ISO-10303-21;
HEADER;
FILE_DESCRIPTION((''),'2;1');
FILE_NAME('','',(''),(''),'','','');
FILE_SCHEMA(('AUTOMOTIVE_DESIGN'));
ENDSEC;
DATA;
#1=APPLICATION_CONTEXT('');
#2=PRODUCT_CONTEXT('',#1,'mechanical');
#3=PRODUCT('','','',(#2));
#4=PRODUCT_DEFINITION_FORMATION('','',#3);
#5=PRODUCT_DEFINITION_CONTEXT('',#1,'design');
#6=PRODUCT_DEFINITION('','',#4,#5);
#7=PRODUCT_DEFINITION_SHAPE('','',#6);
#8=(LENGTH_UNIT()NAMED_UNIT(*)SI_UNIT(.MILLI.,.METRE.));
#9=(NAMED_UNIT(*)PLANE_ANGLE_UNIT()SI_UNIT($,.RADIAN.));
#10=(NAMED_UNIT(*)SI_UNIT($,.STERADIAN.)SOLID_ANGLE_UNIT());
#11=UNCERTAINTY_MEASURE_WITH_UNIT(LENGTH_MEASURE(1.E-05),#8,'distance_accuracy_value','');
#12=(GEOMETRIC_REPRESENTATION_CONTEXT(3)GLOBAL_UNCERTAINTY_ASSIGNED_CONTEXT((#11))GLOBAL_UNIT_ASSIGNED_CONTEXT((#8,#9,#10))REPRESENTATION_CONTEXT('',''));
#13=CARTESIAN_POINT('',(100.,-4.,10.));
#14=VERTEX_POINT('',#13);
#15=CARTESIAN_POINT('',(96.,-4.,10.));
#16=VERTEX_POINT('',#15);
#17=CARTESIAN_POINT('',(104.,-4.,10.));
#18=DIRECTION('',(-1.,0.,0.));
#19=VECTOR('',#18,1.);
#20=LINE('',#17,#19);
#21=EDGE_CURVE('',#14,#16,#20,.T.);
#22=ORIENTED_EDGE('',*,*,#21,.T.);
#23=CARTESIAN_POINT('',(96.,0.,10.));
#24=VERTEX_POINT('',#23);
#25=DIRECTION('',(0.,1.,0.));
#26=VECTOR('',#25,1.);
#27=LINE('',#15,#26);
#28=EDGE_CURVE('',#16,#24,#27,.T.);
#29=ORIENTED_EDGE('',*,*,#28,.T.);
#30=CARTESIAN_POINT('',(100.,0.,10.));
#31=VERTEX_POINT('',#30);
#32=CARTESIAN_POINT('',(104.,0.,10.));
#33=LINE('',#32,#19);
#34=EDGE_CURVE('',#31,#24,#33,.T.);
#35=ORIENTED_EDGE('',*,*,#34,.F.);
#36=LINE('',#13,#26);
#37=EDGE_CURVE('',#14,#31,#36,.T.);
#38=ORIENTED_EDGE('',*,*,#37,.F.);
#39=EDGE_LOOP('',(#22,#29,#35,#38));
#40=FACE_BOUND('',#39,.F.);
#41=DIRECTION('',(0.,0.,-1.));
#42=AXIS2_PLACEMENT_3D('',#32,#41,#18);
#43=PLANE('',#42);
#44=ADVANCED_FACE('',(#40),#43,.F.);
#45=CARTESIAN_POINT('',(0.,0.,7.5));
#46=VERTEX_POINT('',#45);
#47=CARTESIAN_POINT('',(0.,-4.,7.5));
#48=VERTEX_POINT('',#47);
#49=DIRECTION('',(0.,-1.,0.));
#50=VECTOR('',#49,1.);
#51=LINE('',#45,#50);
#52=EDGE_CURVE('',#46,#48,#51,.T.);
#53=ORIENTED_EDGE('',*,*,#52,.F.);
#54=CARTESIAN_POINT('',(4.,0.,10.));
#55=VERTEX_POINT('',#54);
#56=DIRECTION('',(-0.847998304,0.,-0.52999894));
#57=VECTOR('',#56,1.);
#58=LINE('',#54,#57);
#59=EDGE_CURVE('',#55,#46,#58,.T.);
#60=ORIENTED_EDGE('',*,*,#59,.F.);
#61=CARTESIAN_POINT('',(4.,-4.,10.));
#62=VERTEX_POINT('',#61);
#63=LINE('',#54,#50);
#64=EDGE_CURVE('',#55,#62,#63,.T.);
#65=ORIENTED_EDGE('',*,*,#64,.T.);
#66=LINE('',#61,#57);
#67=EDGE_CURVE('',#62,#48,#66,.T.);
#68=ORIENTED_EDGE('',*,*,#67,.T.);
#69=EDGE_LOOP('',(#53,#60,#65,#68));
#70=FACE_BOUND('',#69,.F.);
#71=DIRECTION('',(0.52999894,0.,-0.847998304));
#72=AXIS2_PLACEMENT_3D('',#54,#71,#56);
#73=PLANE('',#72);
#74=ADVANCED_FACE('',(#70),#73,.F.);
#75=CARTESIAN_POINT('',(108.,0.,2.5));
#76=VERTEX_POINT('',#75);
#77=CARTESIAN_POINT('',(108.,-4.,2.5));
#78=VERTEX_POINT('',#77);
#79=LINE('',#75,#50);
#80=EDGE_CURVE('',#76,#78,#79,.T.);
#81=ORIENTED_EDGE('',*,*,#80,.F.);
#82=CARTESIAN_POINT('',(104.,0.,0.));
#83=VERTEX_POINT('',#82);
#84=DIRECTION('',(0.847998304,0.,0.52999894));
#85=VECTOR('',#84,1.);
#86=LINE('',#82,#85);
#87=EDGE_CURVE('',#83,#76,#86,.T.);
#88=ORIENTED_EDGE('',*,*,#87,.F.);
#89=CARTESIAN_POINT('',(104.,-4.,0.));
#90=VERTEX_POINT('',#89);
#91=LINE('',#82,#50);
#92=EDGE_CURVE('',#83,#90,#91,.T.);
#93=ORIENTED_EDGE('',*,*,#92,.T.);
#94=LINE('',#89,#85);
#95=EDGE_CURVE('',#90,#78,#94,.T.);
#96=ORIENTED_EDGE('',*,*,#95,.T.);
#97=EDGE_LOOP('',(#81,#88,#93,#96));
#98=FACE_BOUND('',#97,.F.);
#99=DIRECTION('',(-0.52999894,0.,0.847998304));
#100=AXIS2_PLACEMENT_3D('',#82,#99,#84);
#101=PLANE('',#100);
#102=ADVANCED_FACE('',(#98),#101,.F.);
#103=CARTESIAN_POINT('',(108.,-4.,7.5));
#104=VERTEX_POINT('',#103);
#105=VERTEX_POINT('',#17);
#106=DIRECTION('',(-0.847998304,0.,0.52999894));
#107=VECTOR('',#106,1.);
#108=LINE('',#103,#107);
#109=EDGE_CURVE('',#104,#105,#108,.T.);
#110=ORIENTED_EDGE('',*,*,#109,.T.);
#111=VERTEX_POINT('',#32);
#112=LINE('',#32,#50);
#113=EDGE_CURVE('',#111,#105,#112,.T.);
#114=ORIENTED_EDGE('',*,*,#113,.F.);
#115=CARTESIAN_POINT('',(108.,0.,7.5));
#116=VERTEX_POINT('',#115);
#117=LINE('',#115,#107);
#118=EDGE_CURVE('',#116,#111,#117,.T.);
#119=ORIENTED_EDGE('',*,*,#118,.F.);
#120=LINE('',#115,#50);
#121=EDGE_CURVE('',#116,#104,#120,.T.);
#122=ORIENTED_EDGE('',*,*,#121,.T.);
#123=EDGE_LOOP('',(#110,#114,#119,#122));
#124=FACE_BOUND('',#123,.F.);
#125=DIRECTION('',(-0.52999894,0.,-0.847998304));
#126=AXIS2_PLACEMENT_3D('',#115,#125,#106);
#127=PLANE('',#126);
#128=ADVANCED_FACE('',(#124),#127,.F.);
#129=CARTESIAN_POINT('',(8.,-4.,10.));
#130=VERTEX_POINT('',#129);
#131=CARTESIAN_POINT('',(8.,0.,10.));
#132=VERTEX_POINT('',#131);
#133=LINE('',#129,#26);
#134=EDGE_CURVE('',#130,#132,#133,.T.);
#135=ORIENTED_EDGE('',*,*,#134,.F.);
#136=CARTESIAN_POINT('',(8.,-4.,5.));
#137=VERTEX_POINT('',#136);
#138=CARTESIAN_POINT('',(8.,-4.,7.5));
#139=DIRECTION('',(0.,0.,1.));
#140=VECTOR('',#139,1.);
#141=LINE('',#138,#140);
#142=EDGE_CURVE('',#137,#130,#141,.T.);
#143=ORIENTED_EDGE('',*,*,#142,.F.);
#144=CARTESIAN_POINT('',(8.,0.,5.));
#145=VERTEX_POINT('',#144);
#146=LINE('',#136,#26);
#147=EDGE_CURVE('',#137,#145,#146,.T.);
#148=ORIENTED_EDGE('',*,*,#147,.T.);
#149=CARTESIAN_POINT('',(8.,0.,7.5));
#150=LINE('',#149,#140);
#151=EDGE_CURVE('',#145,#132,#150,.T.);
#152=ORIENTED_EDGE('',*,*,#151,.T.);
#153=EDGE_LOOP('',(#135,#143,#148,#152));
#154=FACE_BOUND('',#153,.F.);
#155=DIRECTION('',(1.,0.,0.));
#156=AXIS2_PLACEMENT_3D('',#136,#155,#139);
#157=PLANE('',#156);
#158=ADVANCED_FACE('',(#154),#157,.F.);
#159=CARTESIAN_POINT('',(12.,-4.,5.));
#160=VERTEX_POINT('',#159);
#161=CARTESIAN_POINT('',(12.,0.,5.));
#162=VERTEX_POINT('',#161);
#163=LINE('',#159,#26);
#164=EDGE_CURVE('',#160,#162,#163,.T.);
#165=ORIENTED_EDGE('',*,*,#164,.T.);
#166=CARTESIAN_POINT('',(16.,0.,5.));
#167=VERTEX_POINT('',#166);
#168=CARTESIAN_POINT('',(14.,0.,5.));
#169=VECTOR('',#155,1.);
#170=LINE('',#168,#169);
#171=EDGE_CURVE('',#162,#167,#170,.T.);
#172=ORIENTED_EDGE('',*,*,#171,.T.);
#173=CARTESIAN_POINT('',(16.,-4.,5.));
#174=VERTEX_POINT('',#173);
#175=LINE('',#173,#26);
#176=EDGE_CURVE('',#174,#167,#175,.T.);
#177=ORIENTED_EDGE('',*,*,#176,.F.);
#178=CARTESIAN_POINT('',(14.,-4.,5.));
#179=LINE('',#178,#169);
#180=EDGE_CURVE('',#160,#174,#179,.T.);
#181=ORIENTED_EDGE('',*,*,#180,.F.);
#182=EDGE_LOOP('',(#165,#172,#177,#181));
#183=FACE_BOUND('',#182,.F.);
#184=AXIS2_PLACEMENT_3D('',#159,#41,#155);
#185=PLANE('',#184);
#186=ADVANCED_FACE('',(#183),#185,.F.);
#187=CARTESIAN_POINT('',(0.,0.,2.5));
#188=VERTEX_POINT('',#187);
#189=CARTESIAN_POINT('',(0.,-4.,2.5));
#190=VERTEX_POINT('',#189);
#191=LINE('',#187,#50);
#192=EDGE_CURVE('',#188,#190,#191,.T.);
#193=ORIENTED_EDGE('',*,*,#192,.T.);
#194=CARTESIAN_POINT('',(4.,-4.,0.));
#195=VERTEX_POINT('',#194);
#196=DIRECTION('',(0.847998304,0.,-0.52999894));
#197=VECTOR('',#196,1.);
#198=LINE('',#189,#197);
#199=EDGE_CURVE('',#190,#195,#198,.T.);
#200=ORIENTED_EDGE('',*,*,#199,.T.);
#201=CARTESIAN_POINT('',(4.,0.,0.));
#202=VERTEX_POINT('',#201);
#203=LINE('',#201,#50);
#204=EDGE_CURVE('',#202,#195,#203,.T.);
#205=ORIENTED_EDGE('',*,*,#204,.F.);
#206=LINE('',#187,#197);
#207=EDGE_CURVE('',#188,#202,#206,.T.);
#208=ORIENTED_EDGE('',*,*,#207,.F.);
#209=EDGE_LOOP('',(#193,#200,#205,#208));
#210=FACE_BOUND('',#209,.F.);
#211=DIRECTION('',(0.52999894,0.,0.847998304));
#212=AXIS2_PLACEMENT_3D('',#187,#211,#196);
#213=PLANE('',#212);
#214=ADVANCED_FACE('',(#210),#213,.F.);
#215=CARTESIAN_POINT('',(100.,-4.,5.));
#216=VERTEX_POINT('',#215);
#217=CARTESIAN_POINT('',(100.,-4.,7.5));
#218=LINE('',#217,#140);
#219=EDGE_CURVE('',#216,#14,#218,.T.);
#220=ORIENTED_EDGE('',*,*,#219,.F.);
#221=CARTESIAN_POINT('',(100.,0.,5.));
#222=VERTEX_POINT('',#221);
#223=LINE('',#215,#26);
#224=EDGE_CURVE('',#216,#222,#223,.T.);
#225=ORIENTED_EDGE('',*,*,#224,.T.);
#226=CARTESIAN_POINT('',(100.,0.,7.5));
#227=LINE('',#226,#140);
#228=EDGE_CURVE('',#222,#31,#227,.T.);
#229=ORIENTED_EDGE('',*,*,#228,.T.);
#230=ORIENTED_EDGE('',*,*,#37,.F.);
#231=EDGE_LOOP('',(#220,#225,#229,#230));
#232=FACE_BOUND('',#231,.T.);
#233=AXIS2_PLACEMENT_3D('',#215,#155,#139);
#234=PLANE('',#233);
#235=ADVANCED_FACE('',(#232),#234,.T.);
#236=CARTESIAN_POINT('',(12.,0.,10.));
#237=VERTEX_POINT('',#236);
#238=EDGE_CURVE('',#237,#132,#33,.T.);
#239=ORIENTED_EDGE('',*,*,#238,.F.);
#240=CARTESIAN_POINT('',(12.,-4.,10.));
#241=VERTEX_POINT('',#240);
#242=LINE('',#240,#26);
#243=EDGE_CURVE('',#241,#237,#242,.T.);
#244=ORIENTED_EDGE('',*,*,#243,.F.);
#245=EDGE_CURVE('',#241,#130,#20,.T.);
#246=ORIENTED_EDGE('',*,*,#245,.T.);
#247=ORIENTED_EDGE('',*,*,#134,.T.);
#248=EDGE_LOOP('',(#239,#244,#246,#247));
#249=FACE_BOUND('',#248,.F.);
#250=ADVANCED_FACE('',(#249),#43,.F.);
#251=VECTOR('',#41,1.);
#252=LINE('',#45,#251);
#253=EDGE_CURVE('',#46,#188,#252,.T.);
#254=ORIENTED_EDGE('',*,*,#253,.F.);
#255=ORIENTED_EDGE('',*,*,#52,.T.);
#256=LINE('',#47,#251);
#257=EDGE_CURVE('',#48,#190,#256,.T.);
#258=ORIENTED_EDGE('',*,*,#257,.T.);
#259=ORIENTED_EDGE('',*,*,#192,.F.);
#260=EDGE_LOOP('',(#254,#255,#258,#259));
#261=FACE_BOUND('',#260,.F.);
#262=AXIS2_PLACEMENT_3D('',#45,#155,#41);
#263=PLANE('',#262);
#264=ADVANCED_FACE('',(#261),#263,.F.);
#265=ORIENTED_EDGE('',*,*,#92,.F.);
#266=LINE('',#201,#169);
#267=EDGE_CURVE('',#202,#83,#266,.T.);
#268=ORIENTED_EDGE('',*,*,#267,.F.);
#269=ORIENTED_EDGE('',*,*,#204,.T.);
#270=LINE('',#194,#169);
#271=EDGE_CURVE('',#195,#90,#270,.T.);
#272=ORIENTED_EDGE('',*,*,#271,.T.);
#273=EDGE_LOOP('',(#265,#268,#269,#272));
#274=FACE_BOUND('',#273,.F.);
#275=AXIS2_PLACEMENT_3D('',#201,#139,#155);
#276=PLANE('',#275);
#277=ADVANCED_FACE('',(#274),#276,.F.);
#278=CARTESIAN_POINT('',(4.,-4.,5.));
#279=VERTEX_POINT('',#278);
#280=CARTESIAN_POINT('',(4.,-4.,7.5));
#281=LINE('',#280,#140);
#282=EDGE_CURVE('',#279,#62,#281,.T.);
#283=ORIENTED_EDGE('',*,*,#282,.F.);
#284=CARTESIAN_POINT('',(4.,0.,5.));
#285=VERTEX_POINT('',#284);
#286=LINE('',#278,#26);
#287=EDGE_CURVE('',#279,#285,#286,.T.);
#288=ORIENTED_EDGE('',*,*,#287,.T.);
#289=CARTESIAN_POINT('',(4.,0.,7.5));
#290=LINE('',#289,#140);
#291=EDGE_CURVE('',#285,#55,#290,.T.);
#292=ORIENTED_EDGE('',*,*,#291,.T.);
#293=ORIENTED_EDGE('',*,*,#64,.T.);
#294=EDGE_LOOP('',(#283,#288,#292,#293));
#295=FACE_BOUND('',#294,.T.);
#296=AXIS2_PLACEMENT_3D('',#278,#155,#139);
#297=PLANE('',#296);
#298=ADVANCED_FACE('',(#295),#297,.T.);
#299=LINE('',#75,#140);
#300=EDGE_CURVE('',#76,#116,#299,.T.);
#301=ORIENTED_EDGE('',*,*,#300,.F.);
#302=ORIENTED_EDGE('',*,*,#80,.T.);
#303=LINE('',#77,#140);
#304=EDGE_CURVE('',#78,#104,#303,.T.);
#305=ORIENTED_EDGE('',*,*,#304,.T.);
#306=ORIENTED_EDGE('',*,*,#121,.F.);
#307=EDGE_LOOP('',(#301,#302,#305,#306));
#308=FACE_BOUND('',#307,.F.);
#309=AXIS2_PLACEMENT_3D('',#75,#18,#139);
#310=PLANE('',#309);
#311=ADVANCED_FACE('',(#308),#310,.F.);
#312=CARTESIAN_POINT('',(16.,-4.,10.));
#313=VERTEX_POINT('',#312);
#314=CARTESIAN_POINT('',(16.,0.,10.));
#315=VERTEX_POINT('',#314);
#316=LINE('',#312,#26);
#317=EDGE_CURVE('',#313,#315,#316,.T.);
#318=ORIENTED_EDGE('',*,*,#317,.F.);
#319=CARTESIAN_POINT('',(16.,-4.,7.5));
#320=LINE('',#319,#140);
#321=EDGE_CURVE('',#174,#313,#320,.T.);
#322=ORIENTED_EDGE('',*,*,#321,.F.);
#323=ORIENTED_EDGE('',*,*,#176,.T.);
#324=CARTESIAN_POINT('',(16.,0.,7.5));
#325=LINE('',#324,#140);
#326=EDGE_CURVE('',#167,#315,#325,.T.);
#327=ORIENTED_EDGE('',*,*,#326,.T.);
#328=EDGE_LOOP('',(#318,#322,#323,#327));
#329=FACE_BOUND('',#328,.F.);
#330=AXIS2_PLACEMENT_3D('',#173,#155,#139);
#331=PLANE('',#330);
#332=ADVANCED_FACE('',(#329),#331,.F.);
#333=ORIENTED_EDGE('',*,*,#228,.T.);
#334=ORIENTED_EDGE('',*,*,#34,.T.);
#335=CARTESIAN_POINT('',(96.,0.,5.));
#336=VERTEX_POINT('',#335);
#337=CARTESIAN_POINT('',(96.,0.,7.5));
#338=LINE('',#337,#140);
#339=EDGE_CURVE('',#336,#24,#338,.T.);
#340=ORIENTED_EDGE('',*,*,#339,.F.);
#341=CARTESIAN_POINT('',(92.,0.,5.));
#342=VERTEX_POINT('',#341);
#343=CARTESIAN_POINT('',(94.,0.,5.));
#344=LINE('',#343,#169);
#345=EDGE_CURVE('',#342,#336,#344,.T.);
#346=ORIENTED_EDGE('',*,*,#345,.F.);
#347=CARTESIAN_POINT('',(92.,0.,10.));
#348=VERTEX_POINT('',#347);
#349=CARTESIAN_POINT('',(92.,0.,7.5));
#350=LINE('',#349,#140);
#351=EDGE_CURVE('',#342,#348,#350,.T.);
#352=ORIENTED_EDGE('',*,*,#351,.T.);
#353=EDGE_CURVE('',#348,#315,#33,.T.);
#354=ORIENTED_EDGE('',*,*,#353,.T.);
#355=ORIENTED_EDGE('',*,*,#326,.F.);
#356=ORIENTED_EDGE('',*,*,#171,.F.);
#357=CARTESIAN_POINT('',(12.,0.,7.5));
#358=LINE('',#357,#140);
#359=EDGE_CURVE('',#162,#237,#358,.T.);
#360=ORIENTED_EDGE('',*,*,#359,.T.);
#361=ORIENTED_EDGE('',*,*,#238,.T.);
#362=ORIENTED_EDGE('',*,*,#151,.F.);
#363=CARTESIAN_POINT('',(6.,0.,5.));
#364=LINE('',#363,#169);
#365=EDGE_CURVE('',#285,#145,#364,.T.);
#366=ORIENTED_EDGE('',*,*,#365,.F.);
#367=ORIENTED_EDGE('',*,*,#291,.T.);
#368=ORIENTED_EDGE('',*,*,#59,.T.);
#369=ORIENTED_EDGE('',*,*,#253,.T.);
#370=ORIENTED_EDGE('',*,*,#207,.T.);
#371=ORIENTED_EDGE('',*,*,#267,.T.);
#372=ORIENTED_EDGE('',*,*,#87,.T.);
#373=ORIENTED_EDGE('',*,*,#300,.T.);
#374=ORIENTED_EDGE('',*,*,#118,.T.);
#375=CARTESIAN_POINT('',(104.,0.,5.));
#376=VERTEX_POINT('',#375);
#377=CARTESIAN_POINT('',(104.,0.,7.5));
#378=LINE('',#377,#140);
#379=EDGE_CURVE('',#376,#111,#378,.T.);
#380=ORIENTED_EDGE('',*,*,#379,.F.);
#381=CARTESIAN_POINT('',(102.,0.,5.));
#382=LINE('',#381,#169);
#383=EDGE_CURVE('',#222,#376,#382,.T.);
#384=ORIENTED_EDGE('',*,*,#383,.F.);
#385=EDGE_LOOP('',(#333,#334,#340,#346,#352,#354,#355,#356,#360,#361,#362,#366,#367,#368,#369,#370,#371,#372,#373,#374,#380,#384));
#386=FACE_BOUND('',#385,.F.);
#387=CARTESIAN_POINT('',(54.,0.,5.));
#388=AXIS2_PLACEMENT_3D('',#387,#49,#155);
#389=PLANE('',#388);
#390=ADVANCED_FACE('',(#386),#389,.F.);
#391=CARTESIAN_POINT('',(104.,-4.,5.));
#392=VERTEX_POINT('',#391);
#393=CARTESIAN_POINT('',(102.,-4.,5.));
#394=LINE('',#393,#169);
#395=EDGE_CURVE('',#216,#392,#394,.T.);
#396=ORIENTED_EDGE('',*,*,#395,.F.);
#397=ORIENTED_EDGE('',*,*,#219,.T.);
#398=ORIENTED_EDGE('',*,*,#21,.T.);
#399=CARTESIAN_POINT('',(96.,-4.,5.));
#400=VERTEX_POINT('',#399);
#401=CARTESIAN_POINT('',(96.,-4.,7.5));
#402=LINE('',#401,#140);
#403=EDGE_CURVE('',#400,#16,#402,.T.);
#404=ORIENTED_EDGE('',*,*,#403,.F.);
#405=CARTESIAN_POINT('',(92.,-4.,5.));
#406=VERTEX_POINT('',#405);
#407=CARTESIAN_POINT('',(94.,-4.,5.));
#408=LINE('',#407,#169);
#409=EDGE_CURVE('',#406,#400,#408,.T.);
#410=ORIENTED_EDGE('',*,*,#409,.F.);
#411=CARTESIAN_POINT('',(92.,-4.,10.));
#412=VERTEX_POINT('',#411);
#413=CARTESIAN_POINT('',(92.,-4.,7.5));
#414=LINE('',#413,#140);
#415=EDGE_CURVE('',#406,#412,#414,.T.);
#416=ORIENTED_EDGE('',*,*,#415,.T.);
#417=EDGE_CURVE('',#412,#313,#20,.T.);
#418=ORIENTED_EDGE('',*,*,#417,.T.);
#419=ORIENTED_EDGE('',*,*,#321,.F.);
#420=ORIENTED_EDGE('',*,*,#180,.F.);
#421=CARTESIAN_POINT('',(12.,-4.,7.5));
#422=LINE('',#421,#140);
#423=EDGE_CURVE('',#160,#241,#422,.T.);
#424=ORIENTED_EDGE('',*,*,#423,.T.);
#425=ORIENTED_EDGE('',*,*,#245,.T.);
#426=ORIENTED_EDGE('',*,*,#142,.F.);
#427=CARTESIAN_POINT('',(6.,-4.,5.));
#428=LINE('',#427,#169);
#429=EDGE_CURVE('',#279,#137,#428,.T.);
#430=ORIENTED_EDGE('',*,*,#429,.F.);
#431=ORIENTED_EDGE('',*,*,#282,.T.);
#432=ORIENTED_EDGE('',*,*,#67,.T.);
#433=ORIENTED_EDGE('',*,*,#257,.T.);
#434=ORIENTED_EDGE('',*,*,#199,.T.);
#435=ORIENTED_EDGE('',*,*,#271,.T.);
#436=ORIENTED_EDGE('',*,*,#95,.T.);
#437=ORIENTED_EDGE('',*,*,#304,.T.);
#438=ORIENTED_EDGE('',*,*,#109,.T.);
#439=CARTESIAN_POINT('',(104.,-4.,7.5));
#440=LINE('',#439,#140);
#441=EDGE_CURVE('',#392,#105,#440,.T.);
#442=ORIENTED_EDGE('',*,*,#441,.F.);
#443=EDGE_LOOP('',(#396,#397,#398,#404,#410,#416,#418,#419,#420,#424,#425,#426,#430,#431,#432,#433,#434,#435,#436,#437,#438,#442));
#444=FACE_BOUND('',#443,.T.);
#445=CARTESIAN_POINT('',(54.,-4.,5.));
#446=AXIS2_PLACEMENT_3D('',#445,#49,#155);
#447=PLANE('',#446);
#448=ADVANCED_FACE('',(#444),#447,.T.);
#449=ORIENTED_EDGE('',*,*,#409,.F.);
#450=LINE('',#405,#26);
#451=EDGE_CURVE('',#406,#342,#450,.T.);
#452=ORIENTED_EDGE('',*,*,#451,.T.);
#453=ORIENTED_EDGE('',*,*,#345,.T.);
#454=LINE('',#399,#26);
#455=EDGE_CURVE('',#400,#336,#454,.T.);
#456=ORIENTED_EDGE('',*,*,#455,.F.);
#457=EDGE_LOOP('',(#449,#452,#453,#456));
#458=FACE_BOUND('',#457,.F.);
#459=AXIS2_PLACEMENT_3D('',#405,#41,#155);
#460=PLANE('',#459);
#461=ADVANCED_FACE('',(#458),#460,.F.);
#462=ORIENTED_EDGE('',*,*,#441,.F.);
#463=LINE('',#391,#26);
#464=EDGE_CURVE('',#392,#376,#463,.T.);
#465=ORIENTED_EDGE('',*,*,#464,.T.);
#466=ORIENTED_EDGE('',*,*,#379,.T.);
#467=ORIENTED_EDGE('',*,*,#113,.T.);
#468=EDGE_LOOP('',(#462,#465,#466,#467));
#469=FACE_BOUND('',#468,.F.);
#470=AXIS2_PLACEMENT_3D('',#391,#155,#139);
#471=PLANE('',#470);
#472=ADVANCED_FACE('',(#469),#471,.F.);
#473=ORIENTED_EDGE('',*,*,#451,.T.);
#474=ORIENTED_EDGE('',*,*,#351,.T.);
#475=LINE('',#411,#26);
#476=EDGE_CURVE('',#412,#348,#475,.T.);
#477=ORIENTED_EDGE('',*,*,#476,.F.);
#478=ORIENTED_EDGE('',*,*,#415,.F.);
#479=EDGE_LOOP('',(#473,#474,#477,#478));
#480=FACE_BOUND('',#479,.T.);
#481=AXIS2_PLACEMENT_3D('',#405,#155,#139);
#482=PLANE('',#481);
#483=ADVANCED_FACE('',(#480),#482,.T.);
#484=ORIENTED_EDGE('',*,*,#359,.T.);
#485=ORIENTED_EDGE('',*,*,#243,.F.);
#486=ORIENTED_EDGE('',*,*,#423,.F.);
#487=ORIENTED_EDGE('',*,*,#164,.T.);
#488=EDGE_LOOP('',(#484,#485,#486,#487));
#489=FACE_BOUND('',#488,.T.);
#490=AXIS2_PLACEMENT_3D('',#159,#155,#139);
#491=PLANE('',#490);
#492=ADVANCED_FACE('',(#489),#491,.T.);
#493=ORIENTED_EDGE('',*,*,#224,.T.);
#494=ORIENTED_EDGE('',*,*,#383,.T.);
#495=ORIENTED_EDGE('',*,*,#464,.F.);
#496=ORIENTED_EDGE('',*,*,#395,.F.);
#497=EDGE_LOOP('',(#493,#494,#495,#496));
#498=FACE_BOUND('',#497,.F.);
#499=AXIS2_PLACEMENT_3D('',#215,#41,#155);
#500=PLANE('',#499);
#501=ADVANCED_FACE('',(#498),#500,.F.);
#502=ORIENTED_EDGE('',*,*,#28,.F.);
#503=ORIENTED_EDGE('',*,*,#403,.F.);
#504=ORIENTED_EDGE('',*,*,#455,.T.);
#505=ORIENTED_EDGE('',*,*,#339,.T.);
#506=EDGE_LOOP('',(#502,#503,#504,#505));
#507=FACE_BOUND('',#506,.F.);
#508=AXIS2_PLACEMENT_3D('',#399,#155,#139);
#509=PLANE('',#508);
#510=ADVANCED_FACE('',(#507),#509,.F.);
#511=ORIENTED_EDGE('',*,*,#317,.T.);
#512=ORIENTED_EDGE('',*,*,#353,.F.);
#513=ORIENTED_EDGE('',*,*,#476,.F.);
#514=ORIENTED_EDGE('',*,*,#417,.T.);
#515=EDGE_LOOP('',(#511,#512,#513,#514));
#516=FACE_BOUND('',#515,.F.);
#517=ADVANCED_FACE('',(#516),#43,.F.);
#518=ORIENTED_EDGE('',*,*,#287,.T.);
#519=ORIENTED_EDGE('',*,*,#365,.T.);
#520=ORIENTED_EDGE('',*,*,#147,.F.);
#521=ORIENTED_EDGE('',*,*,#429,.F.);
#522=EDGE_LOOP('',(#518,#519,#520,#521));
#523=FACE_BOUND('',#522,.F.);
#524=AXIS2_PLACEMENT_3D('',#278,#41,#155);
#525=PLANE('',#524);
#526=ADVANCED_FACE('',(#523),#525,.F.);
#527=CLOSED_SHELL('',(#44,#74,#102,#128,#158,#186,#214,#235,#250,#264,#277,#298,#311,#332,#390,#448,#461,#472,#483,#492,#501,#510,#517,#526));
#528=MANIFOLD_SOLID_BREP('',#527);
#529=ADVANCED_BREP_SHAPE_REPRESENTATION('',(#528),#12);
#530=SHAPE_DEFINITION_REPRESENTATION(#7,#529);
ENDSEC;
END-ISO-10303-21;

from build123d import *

# Parameters (mm, degrees)
F1_DEPTH = 4
F2_W     = 4
F2_H     = 5
F3_DEPTH = 4


with BuildPart() as f1:
    # F0 (on Front) → F1 (new body)
    with BuildSketch(Plane.XZ):
        Polygon((0, 2.5), (4, 0), (104, 0), (108, 2.5), (108, 7.5), (104, 10), (4, 10), (0, 7.5), align=None)
    extrude(amount=F1_DEPTH)

    # F2 (on face) → F3 (cut, through all)
    with BuildSketch(Plane.XZ.offset(4)):
        with Locations((6, 7.5)):
            Rectangle(F2_W, F2_H)
        with Locations((14, 7.5)):
            Rectangle(F2_W, F2_H)
        with Locations((102, 7.5)):
            Rectangle(F2_W, F2_H)
        with Locations((94, 7.5)):
            Rectangle(F2_W, F2_H)
    extrude(amount=-F3_DEPTH, mode=Mode.SUBTRACT)


solid = f1.part
